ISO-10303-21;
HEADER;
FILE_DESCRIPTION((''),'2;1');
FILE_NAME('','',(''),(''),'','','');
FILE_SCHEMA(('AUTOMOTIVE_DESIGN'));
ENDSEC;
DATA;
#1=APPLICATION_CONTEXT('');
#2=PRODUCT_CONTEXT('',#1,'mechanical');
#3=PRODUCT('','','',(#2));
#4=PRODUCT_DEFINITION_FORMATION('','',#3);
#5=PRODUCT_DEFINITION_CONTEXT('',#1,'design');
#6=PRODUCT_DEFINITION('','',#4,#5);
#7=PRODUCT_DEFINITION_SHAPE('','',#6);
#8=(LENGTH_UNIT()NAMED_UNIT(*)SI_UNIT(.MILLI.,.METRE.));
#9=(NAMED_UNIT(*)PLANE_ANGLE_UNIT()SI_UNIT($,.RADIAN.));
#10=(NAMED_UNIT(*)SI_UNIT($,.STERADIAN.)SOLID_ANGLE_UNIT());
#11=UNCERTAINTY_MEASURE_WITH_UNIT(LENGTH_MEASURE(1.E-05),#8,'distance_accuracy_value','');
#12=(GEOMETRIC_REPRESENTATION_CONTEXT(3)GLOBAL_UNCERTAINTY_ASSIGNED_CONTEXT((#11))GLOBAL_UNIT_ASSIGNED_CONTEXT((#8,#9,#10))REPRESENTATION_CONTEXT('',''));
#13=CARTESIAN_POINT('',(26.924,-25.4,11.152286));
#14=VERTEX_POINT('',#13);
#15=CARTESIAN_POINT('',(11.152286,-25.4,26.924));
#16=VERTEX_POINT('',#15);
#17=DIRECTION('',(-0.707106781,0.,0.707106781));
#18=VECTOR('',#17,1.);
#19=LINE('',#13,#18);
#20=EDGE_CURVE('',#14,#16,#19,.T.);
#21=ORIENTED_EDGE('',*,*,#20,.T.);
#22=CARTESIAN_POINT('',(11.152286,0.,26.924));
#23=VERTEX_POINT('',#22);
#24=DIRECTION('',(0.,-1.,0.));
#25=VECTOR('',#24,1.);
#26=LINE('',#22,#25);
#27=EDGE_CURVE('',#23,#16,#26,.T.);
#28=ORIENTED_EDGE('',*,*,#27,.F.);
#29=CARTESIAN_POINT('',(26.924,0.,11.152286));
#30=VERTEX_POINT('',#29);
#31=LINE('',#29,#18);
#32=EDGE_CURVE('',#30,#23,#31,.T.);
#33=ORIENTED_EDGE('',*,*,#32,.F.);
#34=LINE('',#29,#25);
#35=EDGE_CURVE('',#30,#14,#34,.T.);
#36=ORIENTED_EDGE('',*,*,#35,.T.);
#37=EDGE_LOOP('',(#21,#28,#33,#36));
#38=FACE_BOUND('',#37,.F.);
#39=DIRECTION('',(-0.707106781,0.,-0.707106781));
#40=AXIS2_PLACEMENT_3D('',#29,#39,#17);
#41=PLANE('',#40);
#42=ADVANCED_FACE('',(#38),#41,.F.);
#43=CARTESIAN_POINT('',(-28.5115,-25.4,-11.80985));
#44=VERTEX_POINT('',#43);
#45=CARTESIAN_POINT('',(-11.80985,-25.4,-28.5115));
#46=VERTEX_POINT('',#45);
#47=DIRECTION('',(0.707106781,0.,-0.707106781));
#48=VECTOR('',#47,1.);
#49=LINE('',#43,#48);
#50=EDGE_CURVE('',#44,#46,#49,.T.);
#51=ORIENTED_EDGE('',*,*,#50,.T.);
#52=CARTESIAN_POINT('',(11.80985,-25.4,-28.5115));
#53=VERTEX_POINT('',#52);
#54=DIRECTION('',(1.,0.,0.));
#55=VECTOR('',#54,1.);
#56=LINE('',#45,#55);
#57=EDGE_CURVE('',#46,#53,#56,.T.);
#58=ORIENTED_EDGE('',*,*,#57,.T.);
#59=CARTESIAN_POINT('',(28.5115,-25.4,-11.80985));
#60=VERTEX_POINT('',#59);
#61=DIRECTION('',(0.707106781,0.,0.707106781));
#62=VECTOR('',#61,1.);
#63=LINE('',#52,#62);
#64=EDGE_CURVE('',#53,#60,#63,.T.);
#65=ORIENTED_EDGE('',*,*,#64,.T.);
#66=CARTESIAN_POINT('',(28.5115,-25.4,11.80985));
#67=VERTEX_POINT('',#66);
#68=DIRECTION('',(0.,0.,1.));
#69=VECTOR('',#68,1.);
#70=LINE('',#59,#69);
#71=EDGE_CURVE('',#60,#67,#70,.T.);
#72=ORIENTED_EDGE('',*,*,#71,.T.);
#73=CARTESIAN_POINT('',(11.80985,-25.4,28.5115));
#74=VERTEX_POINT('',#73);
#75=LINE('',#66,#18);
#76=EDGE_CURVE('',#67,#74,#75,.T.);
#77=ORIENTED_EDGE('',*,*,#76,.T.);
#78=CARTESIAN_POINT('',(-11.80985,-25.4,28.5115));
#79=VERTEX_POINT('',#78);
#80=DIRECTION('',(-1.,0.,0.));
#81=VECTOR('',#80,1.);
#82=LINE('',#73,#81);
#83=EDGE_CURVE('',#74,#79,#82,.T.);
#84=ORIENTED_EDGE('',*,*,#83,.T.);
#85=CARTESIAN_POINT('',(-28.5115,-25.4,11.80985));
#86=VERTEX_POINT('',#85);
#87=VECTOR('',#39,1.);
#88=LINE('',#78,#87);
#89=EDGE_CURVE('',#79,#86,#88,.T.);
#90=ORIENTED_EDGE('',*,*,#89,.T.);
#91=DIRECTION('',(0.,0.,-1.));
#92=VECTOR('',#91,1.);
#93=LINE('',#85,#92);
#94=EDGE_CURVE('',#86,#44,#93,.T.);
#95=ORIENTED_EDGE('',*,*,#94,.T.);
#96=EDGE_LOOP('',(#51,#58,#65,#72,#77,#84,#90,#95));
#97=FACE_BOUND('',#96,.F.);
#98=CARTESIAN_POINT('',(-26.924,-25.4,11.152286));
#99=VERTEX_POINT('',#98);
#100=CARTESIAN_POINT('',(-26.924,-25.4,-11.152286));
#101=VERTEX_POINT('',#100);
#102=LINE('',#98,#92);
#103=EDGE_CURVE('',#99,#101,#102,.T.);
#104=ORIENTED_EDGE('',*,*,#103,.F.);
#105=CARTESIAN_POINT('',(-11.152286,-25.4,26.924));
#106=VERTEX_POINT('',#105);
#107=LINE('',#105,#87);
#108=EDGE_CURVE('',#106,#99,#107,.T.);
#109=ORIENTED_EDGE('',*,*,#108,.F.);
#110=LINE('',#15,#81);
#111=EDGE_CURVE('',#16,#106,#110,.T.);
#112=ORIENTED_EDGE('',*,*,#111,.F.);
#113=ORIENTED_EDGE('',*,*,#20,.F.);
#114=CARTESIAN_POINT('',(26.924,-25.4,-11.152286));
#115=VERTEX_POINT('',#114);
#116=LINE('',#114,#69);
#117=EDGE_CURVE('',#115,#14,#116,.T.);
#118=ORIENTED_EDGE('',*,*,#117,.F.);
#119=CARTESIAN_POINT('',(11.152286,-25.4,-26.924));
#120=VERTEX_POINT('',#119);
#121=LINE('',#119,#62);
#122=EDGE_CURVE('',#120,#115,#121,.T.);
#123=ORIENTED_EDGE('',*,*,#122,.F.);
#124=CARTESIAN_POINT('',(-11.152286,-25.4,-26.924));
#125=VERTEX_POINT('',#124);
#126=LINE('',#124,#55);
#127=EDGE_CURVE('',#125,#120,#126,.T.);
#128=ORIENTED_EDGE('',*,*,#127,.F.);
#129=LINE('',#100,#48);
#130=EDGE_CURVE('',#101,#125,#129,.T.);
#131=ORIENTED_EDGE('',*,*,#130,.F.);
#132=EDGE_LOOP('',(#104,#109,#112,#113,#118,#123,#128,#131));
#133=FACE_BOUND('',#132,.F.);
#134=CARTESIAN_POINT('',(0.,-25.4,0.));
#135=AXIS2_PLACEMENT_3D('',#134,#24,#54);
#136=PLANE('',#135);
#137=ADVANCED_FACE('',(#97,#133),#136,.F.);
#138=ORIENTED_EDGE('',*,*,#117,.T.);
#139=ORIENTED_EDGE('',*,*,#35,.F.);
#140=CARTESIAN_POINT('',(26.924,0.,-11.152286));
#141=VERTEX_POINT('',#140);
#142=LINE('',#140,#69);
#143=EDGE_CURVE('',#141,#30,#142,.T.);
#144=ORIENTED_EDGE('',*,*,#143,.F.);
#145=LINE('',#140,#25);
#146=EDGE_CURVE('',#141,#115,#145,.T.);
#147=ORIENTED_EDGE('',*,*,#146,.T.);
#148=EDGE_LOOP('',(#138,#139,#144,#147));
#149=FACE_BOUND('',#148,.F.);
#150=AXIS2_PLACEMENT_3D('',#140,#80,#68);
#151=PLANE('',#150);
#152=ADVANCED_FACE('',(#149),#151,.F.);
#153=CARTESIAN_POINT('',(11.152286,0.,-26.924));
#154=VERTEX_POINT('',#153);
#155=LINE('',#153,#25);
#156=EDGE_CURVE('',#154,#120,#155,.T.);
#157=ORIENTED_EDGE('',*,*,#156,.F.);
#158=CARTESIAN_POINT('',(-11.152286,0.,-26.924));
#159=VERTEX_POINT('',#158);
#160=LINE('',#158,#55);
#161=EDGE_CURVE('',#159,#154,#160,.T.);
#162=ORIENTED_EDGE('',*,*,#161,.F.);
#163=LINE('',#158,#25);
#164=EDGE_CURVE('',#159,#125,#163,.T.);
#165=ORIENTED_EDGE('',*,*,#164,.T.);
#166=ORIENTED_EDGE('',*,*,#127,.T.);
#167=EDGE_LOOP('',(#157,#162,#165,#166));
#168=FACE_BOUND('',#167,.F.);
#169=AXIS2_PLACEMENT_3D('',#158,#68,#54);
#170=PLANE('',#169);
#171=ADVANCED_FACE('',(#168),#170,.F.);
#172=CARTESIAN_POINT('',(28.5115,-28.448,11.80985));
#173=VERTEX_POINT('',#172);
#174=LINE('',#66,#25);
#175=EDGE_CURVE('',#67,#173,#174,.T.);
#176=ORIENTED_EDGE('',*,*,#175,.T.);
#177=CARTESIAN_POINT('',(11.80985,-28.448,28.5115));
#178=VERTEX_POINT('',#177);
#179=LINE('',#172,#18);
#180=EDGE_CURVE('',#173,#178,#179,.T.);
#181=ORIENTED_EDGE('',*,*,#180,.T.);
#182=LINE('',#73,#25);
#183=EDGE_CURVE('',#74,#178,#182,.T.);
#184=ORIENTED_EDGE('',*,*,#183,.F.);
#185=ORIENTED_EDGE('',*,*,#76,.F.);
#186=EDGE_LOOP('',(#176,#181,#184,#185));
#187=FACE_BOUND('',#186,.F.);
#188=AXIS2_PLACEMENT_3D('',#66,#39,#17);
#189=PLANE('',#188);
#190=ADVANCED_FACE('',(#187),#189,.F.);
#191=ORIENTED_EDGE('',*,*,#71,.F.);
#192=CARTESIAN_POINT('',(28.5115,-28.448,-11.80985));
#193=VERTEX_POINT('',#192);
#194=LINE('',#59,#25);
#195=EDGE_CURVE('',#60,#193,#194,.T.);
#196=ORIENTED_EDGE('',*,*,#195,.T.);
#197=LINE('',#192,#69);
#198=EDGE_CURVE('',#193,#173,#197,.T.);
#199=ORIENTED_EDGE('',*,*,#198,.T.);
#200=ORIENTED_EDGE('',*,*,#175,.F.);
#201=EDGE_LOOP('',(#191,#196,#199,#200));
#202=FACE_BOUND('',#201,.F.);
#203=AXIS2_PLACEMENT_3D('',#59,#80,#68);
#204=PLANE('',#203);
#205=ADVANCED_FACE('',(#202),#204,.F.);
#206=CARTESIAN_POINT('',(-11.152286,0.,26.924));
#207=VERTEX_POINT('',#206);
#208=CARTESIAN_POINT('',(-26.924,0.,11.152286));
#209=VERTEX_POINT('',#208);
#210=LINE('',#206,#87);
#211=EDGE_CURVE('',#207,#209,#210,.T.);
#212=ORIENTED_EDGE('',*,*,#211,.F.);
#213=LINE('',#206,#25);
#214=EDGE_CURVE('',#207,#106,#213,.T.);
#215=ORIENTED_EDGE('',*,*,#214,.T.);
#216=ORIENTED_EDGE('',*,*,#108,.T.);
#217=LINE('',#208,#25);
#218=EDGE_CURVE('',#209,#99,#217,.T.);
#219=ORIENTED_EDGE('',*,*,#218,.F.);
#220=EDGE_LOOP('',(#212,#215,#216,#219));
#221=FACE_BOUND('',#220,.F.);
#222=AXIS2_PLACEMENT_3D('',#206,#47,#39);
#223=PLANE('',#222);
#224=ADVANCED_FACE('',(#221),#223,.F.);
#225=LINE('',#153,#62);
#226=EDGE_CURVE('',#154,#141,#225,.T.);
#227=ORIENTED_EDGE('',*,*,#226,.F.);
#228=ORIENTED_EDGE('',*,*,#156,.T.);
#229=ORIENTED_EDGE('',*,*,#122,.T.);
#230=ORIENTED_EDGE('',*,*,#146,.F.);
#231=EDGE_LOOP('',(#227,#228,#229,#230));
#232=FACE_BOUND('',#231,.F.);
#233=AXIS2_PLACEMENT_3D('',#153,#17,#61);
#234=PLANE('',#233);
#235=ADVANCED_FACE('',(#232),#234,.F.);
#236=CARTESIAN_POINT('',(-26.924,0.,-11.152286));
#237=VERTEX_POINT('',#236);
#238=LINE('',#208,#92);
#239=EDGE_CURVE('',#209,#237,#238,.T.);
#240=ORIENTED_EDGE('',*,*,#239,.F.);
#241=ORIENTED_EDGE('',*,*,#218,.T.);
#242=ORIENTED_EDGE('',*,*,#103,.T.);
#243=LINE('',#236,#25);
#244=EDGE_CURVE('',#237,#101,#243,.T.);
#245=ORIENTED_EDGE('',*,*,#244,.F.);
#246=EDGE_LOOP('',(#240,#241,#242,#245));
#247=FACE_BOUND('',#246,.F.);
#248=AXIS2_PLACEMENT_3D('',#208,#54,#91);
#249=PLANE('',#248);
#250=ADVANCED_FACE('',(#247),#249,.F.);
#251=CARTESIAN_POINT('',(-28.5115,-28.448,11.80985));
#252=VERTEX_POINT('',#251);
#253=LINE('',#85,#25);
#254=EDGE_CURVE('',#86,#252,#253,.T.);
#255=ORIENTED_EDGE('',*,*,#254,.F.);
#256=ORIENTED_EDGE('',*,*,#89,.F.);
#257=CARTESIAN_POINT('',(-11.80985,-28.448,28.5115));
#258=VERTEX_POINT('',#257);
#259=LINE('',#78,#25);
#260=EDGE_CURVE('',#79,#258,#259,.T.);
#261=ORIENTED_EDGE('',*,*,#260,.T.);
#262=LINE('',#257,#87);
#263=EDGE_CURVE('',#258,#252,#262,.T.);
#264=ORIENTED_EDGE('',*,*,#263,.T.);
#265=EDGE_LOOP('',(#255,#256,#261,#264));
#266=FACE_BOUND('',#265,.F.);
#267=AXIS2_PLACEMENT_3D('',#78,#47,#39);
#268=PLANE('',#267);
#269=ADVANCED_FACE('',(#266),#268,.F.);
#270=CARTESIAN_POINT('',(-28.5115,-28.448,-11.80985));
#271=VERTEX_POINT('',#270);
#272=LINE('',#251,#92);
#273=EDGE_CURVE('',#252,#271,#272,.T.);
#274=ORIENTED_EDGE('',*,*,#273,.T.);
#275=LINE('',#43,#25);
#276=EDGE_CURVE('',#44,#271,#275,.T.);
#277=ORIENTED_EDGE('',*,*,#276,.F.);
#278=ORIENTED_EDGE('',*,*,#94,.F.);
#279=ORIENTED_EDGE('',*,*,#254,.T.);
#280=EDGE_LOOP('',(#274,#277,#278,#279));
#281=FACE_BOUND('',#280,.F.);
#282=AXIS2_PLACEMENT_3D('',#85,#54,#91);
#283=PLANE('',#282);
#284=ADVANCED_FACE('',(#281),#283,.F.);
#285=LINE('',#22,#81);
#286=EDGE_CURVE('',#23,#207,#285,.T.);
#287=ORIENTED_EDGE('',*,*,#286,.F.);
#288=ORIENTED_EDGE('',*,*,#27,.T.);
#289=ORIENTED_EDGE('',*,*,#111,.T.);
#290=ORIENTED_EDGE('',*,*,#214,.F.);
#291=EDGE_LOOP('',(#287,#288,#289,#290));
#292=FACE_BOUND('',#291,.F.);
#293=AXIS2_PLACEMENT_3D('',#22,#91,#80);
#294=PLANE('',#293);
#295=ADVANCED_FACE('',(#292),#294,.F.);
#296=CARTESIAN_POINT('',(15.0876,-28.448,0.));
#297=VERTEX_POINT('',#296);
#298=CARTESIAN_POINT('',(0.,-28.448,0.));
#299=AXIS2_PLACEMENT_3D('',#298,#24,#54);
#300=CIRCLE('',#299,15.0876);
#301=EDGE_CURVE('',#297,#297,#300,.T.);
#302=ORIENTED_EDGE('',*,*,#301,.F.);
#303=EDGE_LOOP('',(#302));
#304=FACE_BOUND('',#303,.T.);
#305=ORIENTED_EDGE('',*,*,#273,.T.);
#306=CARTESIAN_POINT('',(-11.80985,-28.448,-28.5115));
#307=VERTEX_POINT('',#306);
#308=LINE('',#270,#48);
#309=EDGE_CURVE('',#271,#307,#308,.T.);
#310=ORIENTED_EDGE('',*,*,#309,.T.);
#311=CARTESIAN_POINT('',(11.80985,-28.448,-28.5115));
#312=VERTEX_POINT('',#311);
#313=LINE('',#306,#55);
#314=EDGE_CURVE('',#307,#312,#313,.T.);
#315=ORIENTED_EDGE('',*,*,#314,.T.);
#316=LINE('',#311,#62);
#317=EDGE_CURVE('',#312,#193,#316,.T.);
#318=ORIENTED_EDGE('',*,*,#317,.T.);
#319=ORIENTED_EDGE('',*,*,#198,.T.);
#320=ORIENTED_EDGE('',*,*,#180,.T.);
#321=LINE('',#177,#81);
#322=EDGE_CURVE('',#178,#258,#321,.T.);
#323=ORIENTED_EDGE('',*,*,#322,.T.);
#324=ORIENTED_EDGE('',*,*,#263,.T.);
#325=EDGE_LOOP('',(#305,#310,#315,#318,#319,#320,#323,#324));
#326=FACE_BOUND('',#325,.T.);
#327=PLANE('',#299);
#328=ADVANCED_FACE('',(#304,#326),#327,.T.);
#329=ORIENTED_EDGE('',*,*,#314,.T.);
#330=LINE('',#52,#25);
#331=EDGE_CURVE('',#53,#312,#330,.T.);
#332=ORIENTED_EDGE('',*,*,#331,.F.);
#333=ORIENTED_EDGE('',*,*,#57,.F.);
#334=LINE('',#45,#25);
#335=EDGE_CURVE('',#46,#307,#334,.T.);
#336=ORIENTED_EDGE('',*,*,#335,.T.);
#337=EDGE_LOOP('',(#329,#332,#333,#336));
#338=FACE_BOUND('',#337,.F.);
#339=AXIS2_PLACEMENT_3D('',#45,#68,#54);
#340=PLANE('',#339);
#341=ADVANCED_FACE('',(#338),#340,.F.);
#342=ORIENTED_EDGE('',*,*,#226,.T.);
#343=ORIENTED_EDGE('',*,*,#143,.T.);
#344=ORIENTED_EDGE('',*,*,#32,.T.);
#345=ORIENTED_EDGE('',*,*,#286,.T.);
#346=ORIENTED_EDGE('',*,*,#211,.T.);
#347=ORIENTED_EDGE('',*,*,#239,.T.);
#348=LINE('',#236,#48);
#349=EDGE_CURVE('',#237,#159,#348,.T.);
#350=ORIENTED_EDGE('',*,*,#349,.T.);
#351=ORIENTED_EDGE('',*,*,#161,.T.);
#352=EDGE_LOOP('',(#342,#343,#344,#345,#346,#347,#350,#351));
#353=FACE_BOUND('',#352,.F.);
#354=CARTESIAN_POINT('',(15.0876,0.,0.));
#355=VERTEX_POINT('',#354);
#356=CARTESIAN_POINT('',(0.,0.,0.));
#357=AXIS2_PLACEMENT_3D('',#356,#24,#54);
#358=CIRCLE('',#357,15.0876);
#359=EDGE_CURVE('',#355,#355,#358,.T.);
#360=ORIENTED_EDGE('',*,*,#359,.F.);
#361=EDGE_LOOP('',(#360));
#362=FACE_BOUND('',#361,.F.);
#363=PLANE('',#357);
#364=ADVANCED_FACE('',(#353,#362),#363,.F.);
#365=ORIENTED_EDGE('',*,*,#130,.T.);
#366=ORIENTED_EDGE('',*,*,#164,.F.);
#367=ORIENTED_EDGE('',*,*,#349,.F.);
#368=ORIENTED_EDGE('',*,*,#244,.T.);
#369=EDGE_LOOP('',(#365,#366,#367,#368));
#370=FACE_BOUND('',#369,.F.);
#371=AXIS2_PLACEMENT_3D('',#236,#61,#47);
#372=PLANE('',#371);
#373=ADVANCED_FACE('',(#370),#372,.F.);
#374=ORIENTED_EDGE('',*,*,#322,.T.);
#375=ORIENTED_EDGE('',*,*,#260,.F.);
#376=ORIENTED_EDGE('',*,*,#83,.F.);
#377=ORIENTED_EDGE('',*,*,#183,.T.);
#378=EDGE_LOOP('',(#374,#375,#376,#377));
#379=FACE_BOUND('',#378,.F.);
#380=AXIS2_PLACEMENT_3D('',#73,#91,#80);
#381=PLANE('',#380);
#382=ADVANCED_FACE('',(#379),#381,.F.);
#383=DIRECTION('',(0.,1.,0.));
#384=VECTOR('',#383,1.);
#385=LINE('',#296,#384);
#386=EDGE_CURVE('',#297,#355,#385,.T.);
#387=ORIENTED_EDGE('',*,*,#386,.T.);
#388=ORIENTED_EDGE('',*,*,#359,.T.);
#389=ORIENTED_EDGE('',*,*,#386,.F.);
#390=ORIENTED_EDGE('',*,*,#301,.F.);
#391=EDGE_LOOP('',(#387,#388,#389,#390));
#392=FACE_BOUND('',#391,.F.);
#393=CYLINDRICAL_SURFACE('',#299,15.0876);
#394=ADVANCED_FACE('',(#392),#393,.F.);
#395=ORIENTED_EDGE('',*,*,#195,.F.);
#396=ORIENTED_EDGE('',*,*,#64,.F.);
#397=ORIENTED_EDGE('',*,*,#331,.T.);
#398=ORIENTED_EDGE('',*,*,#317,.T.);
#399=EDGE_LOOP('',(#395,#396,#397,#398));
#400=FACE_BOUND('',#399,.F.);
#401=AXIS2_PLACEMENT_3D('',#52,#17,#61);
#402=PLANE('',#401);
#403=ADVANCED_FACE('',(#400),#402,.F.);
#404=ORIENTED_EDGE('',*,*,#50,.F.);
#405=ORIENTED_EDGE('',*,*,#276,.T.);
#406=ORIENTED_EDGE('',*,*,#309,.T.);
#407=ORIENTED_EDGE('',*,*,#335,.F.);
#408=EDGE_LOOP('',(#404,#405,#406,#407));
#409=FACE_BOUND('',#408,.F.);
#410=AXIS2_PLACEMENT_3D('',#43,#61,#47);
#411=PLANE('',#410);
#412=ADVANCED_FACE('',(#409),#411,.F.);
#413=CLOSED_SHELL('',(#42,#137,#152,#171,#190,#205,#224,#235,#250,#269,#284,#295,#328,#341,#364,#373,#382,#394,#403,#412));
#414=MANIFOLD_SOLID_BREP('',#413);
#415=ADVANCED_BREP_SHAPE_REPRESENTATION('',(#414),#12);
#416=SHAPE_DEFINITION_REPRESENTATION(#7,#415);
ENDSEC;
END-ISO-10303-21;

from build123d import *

# Parameters (mm, degrees)
F1_DEPTH = 25.4
F3_DEPTH = 3.048
F4_R     = 15.0876
F5_DEPTH = 28.449


with BuildPart() as f1:
    # F0 (on Front) → F1 (new body)
    with BuildSketch(Plane.XZ):
        Polygon((11.152286, 26.924), (-11.152286, 26.924), (-26.924, 11.152286), (-26.924, -11.152286), (-11.152286, -26.924), (11.152286, -26.924), (26.924, -11.152286), (26.924, 11.152286), align=None)
    extrude(amount=F1_DEPTH)

    # F2 (on face) → F3 (join)
    with BuildSketch(Plane.XZ.offset(25.4)):
        Polygon((11.80985, 28.5115), (-11.80985, 28.5115), (-28.5115, 11.80985), (-28.5115, -11.80985), (-11.80985, -28.5115), (11.80985, -28.5115), (28.5115, -11.80985), (28.5115, 11.80985), align=None)
    extrude(amount=F3_DEPTH)

    # F4 (on face) → F5 (cut, through all)
    with BuildSketch(Plane.XZ.offset(28.448)):
        Circle(F4_R)
    extrude(amount=-F5_DEPTH, mode=Mode.SUBTRACT)


solid = f1.part
